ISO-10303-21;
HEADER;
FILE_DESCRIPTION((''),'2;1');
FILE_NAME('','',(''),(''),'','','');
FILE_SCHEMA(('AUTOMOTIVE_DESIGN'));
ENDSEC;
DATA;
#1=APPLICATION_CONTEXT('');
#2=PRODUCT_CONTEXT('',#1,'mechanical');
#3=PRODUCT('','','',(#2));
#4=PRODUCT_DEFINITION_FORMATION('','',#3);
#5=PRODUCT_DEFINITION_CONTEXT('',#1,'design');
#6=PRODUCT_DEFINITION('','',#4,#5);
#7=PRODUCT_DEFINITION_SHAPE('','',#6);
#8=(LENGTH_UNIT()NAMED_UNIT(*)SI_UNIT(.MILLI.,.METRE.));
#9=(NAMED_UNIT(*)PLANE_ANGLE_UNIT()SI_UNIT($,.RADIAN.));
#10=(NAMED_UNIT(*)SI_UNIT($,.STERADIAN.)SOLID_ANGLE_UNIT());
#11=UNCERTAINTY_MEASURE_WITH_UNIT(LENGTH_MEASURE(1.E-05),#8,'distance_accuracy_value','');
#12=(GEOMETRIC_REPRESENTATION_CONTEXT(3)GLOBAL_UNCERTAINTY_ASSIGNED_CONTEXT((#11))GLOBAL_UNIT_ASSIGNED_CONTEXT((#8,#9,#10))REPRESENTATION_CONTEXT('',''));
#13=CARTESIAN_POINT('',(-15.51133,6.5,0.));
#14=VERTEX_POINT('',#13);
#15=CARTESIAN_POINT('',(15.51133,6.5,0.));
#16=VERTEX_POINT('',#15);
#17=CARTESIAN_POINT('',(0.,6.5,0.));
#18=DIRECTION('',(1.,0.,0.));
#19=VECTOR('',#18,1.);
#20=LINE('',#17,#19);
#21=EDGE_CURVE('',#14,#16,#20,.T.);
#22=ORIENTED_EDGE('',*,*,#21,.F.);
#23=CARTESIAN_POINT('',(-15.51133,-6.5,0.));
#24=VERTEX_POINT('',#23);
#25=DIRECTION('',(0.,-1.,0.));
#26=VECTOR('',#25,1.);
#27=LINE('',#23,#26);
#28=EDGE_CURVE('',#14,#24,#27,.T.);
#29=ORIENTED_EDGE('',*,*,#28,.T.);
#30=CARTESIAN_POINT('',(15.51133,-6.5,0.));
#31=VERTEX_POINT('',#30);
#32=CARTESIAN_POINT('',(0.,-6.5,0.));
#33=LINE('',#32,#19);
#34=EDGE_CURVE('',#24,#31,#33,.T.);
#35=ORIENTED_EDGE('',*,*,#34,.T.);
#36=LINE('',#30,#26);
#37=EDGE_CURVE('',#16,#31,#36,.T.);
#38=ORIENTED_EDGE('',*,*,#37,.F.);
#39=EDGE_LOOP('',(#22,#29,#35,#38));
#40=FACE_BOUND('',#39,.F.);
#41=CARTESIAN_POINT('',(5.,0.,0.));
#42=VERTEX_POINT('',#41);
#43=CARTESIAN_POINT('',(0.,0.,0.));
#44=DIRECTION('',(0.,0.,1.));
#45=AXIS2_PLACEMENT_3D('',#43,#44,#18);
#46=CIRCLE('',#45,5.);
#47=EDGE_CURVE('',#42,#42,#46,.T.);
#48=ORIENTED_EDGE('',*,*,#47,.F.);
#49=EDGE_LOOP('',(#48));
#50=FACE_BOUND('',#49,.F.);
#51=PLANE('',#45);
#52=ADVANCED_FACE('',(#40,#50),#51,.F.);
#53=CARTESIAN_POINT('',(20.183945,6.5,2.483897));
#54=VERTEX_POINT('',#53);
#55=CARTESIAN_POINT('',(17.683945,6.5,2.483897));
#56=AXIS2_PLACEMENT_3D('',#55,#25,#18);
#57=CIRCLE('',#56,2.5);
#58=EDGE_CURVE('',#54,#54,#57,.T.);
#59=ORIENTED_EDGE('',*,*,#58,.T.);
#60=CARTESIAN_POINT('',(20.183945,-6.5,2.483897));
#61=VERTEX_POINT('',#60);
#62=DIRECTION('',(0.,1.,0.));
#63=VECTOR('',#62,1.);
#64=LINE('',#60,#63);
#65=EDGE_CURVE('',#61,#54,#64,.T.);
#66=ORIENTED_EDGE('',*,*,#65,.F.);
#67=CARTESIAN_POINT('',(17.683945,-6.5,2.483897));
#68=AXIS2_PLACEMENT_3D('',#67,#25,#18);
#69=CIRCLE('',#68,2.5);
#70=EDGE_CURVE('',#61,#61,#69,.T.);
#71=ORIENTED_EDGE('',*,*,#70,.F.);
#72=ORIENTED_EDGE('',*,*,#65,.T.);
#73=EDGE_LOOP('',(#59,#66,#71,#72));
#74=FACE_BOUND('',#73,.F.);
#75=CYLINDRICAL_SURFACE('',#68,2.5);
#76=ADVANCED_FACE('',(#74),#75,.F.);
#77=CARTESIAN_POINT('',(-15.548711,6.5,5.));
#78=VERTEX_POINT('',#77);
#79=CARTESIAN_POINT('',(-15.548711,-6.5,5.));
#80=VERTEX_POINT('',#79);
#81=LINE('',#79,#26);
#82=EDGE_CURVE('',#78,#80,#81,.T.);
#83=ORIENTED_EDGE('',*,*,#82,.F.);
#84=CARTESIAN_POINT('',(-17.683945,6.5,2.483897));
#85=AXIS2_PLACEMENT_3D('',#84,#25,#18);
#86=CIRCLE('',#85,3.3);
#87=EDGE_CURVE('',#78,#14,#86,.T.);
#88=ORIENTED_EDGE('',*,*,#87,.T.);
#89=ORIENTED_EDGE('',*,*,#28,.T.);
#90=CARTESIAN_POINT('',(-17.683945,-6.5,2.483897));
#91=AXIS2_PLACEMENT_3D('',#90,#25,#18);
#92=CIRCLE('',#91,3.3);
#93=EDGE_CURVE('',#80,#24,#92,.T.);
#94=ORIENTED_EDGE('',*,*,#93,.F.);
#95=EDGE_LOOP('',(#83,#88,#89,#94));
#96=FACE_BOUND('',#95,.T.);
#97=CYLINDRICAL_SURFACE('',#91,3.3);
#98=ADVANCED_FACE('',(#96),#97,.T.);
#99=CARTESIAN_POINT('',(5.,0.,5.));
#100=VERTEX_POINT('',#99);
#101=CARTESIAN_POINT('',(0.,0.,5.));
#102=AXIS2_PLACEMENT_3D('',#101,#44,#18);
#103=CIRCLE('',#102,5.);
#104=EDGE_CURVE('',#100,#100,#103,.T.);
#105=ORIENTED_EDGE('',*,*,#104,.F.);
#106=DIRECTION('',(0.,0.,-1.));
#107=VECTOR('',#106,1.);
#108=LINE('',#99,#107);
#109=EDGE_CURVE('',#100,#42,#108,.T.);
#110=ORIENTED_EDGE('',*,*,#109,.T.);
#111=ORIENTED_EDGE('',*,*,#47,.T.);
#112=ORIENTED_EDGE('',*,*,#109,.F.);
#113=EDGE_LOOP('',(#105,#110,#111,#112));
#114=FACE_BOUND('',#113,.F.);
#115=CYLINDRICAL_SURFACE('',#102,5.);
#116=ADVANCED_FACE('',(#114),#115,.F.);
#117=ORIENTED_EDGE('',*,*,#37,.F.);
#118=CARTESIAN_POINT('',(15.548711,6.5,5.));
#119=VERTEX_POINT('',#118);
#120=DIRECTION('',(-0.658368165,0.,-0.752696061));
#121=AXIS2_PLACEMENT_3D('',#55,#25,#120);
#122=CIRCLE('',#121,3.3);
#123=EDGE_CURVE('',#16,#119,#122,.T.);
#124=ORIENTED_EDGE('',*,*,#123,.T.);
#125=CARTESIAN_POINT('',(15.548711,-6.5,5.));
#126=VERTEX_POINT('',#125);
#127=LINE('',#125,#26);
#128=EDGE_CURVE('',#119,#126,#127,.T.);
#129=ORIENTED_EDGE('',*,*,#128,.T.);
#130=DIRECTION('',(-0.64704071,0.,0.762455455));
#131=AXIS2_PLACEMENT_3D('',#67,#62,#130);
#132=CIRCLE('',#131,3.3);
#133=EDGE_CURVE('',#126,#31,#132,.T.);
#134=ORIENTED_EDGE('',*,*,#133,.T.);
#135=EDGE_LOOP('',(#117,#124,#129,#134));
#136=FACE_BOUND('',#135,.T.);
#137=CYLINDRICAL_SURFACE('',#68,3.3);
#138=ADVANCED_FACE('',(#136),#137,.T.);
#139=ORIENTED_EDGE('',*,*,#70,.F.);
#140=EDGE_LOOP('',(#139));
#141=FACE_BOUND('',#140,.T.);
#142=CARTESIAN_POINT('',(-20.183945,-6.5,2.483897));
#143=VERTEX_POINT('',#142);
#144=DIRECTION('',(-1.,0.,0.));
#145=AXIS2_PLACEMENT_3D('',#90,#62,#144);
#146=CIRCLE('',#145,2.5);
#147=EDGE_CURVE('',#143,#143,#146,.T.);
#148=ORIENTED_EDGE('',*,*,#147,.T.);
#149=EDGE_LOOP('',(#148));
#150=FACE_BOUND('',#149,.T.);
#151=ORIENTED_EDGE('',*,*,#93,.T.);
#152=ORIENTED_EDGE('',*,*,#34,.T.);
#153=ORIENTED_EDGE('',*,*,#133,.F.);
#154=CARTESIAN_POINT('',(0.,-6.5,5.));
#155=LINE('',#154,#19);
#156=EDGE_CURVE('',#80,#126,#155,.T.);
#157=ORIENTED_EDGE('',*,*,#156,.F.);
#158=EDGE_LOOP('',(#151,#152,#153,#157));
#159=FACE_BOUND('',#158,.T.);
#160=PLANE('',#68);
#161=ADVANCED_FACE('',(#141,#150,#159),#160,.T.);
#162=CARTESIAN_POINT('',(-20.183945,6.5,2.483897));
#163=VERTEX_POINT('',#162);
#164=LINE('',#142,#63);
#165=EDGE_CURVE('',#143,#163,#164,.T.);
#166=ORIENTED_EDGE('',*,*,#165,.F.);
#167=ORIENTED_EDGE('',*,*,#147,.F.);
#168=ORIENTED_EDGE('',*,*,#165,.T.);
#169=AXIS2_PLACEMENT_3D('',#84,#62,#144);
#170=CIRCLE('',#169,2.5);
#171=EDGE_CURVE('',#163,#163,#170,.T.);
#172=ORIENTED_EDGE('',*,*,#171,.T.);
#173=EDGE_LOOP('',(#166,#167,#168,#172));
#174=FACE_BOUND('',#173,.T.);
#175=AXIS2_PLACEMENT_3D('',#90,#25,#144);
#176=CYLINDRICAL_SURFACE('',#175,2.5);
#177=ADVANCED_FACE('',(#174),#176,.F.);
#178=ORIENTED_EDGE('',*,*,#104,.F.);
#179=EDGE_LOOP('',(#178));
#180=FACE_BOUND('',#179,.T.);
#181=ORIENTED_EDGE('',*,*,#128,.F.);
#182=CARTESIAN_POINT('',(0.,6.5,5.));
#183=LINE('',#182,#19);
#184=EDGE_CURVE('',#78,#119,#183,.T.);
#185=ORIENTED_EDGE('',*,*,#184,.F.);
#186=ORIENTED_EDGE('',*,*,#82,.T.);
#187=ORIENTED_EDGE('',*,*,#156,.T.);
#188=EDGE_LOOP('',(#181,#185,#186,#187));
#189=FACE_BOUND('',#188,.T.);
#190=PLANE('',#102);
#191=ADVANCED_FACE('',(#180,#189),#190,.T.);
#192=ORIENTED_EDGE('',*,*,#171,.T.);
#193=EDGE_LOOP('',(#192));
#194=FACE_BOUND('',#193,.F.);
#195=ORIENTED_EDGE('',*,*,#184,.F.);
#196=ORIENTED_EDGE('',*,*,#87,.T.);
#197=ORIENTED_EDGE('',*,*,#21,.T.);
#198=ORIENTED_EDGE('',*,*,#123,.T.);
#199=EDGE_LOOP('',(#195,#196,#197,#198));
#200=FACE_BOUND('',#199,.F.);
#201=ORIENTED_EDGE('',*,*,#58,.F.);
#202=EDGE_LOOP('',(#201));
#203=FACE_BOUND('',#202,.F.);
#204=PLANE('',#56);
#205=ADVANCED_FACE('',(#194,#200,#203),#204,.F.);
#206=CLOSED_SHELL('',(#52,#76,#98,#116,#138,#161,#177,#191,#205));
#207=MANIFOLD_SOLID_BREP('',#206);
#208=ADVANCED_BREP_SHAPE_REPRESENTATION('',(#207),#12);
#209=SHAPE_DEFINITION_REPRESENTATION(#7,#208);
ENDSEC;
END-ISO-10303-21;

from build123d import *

# Parameters (mm, degrees)
SKETCH002_R  = 2.5
PAD002_DEPTH = 13
SKETCH_W     = 35
SKETCH_H     = 13
PAD_DEPTH    = 5
SKETCH003_R  = 3.3
PAD003_DEPTH = 13
SKETCH004_R  = 5
POCKET_DEPTH = 5


with BuildPart() as pad002:
    # Sketch002 → Pad002 (new body)
    with BuildSketch(Plane.XZ.offset(6.5)):
        with Locations((17.683945, 2.483897)):
            Circle(SKETCH002_R)
    extrude(amount=-PAD002_DEPTH)


with BuildPart() as part_mirroring001:
    # Part__Mirroring001: instance of Pad002
    add(pad002.part.mirror(Plane(origin=(0, 0, 2.483897), x_dir=(0, -1, 0), z_dir=(1, 0, 0))))


with BuildPart() as scassi:
    # Fusion001 base: copy of Pad002
    add(pad002.part)

    # Fusion001: union Part__Mirroring001
    add(part_mirroring001.part)


with BuildPart() as pocket:
    # Sketch → Pad (new body)
    with BuildSketch(Plane.XY):
        Rectangle(SKETCH_W, SKETCH_H)
    extrude(amount=PAD_DEPTH)

    # Sketch003 → Pad003 (new body)
    with BuildSketch(Plane.XZ.offset(6.5)):
        with Locations((17.683945, 2.483897)):
            Circle(SKETCH003_R)
        with Locations((-17.683945, 2.483897)):
            Circle(SKETCH003_R)
    extrude(amount=-PAD003_DEPTH)

    # Cut: cut scassi
    add(scassi.part, mode=Mode.SUBTRACT)

    # Sketch004 → Pocket (cut)
    with BuildSketch(Plane.XY.offset(5)):
        Circle(SKETCH004_R)
    extrude(amount=-POCKET_DEPTH, mode=Mode.SUBTRACT)


solid = pocket.part
